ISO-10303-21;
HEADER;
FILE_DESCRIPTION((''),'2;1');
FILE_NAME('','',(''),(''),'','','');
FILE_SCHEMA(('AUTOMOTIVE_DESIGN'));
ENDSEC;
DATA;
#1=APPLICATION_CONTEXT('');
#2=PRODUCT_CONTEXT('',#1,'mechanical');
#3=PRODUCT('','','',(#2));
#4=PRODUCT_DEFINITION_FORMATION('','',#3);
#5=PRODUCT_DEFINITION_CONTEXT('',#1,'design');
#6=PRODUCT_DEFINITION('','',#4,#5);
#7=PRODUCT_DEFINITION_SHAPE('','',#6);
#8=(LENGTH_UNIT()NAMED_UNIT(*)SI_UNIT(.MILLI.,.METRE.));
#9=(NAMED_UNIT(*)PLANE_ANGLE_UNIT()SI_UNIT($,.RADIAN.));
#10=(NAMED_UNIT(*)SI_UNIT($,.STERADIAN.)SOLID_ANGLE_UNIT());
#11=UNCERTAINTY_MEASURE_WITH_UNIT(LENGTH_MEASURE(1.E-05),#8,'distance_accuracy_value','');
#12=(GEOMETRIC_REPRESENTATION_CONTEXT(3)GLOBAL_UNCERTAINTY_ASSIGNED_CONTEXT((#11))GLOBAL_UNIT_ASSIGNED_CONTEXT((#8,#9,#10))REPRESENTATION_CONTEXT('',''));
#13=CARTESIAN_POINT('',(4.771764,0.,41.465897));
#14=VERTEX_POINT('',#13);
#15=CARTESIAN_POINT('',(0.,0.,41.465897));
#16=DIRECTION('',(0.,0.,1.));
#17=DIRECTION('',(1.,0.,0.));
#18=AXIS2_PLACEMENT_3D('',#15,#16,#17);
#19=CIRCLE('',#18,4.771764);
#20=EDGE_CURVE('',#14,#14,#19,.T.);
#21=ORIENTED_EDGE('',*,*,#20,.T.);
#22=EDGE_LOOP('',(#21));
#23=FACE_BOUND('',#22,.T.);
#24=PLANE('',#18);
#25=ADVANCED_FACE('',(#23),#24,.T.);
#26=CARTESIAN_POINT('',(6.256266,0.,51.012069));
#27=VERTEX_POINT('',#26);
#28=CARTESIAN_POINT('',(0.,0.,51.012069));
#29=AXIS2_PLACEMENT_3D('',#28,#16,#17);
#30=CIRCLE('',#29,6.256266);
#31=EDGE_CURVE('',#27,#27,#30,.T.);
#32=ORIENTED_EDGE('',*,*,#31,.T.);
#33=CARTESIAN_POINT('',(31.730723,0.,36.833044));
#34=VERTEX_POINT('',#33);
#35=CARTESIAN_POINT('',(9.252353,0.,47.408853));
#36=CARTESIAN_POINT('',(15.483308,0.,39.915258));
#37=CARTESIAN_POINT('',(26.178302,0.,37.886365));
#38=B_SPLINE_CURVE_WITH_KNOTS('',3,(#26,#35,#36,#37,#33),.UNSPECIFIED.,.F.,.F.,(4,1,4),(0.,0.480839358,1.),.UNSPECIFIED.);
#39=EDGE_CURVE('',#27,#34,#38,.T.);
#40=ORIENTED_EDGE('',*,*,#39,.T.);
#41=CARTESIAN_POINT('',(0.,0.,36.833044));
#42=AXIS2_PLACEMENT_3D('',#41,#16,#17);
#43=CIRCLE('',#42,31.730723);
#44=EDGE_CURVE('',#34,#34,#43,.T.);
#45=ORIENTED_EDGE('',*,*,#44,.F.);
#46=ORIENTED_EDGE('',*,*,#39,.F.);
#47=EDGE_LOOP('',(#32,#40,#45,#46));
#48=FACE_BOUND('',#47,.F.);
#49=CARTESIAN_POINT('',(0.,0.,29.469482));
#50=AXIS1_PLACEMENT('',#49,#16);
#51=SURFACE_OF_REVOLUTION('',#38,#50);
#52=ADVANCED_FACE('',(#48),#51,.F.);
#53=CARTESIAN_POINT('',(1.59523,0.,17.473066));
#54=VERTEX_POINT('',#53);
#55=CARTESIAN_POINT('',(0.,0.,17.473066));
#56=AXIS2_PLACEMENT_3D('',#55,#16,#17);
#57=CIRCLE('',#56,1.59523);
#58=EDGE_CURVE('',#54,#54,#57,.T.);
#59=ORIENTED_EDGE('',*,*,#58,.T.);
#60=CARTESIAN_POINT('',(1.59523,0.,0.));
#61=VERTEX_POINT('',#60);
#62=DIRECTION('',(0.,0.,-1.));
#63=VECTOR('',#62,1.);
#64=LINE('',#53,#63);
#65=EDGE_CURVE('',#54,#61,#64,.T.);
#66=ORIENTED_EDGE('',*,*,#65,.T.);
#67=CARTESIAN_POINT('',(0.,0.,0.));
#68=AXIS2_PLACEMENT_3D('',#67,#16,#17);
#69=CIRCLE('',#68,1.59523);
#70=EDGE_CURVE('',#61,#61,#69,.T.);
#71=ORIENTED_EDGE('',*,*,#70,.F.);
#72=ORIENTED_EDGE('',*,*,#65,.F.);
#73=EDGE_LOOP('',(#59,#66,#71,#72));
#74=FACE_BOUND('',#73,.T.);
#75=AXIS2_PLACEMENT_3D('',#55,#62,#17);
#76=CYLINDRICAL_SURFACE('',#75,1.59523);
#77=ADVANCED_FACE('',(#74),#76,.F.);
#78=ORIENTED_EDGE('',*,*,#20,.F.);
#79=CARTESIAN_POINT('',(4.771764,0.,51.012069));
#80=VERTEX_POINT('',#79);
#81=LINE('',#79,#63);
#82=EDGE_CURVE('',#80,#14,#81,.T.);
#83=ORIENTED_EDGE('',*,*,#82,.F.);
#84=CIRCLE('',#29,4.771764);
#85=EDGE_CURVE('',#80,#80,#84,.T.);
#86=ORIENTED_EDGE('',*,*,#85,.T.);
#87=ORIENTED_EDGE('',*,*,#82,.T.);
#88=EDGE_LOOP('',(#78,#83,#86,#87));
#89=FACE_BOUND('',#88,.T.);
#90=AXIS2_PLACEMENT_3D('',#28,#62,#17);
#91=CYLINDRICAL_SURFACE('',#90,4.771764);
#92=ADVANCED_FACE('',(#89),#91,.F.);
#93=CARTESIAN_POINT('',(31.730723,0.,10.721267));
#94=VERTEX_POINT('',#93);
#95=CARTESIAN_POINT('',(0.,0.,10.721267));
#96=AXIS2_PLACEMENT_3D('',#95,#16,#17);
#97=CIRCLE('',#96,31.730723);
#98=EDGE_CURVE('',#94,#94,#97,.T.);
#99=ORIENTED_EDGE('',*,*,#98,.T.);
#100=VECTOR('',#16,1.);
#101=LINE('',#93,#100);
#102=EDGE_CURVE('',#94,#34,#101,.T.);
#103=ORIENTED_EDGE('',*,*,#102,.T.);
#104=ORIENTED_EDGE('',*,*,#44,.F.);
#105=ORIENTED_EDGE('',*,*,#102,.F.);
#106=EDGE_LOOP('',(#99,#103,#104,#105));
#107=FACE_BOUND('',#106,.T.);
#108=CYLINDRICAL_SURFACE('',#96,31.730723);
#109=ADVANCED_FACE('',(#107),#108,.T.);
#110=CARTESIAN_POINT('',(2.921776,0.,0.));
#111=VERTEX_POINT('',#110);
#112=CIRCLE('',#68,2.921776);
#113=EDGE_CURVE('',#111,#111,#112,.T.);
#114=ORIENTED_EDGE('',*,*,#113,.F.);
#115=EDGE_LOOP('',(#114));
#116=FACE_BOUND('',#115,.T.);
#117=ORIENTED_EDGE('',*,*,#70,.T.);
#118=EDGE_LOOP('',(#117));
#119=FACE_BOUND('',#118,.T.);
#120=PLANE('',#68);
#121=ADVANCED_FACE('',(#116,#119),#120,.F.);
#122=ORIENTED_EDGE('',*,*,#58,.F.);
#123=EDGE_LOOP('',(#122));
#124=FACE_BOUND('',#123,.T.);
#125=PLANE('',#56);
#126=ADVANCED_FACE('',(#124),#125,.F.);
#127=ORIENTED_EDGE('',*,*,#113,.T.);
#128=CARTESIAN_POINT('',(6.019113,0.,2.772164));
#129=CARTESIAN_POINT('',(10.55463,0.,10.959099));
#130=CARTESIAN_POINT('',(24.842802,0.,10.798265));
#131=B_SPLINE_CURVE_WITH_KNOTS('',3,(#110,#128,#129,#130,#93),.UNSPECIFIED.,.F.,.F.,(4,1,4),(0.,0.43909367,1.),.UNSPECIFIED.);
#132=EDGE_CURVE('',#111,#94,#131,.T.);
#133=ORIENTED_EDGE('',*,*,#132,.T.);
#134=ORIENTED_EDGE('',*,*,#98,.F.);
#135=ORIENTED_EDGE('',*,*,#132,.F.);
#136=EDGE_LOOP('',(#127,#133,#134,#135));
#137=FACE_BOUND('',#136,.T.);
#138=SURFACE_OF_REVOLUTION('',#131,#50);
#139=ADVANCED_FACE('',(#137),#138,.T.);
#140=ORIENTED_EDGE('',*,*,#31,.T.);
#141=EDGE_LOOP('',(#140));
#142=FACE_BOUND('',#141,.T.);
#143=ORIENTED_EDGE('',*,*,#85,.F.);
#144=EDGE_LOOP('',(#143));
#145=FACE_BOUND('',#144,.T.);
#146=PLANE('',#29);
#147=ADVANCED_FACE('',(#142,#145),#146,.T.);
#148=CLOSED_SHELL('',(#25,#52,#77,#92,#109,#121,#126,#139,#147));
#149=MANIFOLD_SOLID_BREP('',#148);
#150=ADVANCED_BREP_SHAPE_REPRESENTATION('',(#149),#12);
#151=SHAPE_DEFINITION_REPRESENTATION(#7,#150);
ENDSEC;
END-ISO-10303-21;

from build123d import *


with BuildPart() as f1:
    # F0 (on Front) → F1 (revolve)
    with BuildSketch(Plane.XZ):
        with BuildLine():
            Line((4.7717643902, 41.4658971131), (0, 41.4658971131))
            Line((0, 41.4658971131), (0, 17.4730662256))
            Line((0, 17.4730662256), (1.5952299582, 17.4730662256))
            Line((1.5952299582, 17.4730662256), (1.5952299582, 0))
            Line((1.5952299582, 0), (2.9217759147, 0))
            add(Edge.make_bspline(
                [(2.9217759147, 0), (6.0191128296, 2.7721635984), (10.5546304942, 10.9590988462), (24.8428024352, 10.7982652262), (31.730722636, 10.721267201)],
                knots=[0, 0, 0, 0, 0.4390936703, 1, 1, 1, 1], degree=3))
            Line((31.730722636, 10.721267201), (31.730722636, 36.8330441415))
            add(Edge.make_bspline(
                [(6.2562655658, 51.0120689869), (9.2523534978, 47.4088534809), (15.4833075236, 39.9152582753), (26.1783022863, 37.8863654459), (31.730722636, 36.8330441415)],
                knots=[0, 0, 0, 0, 0.4808393578, 1, 1, 1, 1], degree=3))
            Line((6.2562655658, 51.0120689869), (4.7717643902, 51.0120689869))
            Line((4.7717643902, 51.0120689869), (4.7717643902, 41.4658971131))
        make_face()
    revolve(axis=Axis((0, 0, 29.4694816694), (0, 0, 1)))


solid = f1.part
